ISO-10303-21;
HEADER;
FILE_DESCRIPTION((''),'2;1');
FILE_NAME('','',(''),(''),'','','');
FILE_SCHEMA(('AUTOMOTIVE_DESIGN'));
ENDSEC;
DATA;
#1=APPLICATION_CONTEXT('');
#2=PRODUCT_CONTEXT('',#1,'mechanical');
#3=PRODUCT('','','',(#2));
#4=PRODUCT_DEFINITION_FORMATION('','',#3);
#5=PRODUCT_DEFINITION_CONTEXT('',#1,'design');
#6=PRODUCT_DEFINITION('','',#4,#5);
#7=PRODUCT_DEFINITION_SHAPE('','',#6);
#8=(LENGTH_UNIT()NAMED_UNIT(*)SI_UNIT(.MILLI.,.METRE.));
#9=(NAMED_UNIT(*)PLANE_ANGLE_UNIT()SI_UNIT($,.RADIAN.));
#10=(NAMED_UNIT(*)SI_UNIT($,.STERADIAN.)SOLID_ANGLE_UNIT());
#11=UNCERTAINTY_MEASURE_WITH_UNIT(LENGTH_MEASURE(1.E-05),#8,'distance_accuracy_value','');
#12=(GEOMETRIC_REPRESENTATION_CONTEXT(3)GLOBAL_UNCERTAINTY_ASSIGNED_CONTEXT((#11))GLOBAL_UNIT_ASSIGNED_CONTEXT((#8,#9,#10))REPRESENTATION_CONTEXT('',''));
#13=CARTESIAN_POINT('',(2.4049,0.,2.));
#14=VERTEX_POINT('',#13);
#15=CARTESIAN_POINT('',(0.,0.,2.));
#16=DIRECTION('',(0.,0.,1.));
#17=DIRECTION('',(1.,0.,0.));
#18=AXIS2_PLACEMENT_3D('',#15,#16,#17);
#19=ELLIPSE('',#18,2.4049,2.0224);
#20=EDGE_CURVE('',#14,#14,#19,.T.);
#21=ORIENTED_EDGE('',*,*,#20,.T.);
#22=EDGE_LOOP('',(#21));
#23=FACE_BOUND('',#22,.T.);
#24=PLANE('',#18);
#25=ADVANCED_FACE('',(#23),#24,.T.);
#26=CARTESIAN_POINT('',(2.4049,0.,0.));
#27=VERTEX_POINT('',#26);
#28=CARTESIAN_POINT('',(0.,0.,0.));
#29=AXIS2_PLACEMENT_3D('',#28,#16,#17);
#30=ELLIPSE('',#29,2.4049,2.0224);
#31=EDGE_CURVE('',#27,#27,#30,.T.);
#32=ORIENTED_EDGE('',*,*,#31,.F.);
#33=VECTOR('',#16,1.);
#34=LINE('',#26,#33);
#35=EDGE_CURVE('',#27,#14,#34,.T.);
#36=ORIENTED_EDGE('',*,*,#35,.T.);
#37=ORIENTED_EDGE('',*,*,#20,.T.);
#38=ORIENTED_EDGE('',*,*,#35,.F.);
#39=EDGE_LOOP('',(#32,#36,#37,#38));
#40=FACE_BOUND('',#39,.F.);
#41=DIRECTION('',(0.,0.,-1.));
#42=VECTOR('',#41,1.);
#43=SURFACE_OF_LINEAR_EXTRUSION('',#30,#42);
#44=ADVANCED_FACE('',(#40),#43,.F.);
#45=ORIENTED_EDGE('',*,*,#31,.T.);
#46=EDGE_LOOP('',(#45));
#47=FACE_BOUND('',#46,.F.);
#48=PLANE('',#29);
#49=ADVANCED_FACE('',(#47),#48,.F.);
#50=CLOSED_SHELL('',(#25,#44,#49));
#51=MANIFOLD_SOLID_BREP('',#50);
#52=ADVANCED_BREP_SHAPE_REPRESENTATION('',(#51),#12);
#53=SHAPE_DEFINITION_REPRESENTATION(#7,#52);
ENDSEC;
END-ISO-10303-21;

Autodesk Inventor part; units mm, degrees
ref_plane "YZ Plane" through (0, 0, 0) normal (1, 0, 0) x (0, 1, 0)
ref_plane "XZ Plane" through (0, 0, 0) normal (0, 1, 0) x (-1, 0, 0)
ref_plane "XY Plane" through (0, 0, 0) normal (0, 0, 1) x (1, 0, 0)
sketch "Sketch1" plane through (0, 0, 0) normal (0, 0, 1) x (1, 0, 0)
  arc A0 (-9.1161, 25.7586) -> (-13.313, 21.8774) centre (-8.2115, 20.5707) ccw projected
  ellipse E0 centre (-18.0763, 22.3083) end of major axis (-22.8397, 22.7393) minor radius 4.1297 (-13.4391, 21.2064) -> (-13.313, 21.8774) ccw projected
  arc A1 (-13.313, 21.8774) -> (-13.4391, 21.2064) centre (-8.2115, 20.5707) ccw projected
  ellipse E1 centre (-18.0763, 22.3083) end of major axis (-13.313, 21.8774) minor radius 4.1297 (-13.313, 21.8774) -> (-15.5486, 25.7586) ccw projected
  line L0 (-9.1161, 25.7586) -> (-15.5486, 25.7586) projected
  arc A2 (-67.787, 25.7586) -> (-69.1237, 23.7196) centre (-50.5026, 12.9698) ccw projected
  spline S0 degree 3 poles (-65.1091, 22.0003) (-65.1168, 21.9714) (-65.1247, 21.9426) (-65.2552, 21.496) (-65.4592, 21.1022) (-65.9414, 20.4921) (-66.1949, 20.2555) (-66.7389, 19.9003) (-67.0236, 19.7722) (-67.5793, 19.6428) (-67.8465, 19.6266) (-68.2695, 19.6888) (-68.4292, 19.734) (-68.5796, 19.8005) (-68.8638, 19.9261) (-69.1122, 20.1291) (-69.4038, 20.5184) (-69.4901, 20.673) (-69.7149, 21.2159) (-69.768, 21.6358) (-69.6981, 22.5727) (-69.5232, 23.0866) (-69.2071, 23.5982) (-69.1664, 23.6596) (-69.1237, 23.7196) knots -2.04297 -2.04297 -2.04297 -2.04297 -2.033998 -2.033998 -1.903383 -1.903383 -1.8007 -1.8007 -1.70847 -1.70847 -1.629539 -1.629539 -1.580207 -1.580207 -1.580207 -1.486994 -1.486994 -1.434286 -1.434286 -1.31073 -1.31073 -1.152429 -1.152429 -1.130329 -1.130329 -1.130329 -1.130329 projected
  arc A3 (-62.2466, 25.7586) -> (-65.1091, 22.0003) centre (-57.3704, 19.0752) ccw projected
  line L1 (-57.002, 25.7586) -> (-62.2466, 25.7586) projected
  arc A4 (-57.002, 25.7586) -> (-52.5716, 21.9614) centre (-43.5692, 36.9484) ccw projected
  arc A5 (-52.5716, 21.9614) -> (-61.5285, 13.9346) centre (-49.152, 9.1347) ccw projected
  arc A6 (-61.5285, 13.9346) -> (-63.3685, -3.1136) centre (-33.7061, 2.3083) ccw projected
  arc A7 (-63.3685, -3.1136) -> (-70.3816, -14.3561) centre (-52.3561, -17.7917) ccw projected
  arc A8 (-70.3816, -14.3561) -> (-57.0518, -18.6263) centre (-59.4561, -3.1917) ccw projected
  arc A9 (-57.0518, -18.6263) -> (-11.4801, -27.2893) centre (-28.9353, 5.0839) ccw projected
  arc A10 (-11.4801, -27.2893) -> (1.6202, -27.979) centre (-4.1305, -12.4483) ccw projected
  arc A11 (1.6202, -27.979) -> (-1.176, -17.8593) centre (-12.997, -26.5718) ccw projected
  arc A12 (-1.176, -17.8593) -> (1.4991, -4.3136) centre (-20.384, -7.0289) ccw projected
  arc A13 (1.4991, -4.3136) -> (-5.025, 17.7342) centre (-8.2115, 4.8022) ccw projected
  arc A14 (-5.025, 17.7342) -> (-7.398, 24.7586) centre (-8.2115, 20.5707) ccw projected
  line L2 (-7.398, 24.7586) -> (-6.0187, 24.7586) projected
  arc A15 (-5.0187, 25.7586) -> (-6.0187, 24.7586) centre (-5.0187, 24.7586) ccw projected
  line L3 (62.1444, 25.7586) -> (-5.0187, 25.7586) projected
  line L4 (62.1444, 33.7601) -> (62.1444, 25.7586) projected
  line L5 (-69.6317, 33.7601) -> (62.1444, 33.7601) projected
  arc A16 (-71.6317, 35.7601) -> (-69.6317, 33.7601) centre (-69.6317, 35.7601) ccw projected
  line L6 (-71.6317, 128.7586) -> (-71.6317, 35.7601) projected
  arc A17 (-69.6317, 130.7586) -> (-71.6317, 128.7586) centre (-69.6317, 128.7586) ccw projected
  line L7 (62.1444, 130.7586) -> (-69.6317, 130.7586) projected
  line L8 (62.1444, 138.7586) -> (62.1444, 130.7586) projected
  line L9 (-75.0567, 138.7586) -> (62.1444, 138.7586) projected
  arc A18 (-75.0567, 138.7586) -> (-79.0567, 134.7586) centre (-75.0567, 134.7586) ccw projected
  line L10 (-79.0567, 29.7586) -> (-79.0567, 134.7586) projected
  arc A19 (-79.0567, 29.7586) -> (-75.0567, 25.7586) centre (-75.0567, 29.7586) ccw projected
  line L11 (-67.787, 25.7586) -> (-75.0567, 25.7586) projected
  ellipse E2 centre (-18.8703, 22.3083) end of major axis (-23.3081, 22.3083) minor radius 3.9921 projected
  ellipse E3 centre (-35.4561, 3.2586) end of major axis (-38.4561, 3.2586) minor radius 2.4928 projected
  arc A20 (-62.6379, -4.8899) -> (-58.0267, -16.7499) centre (77.4596, 42.753) ccw projected
  arc A21 (-68.1575, -13.5015) -> (-58.0267, -16.7499) centre (-57.4866, 2.3559) ccw projected
  arc A22 (-62.6379, -4.8899) -> (-68.1575, -13.5015) centre (-49.6205, -19.308) ccw projected
  arc A23 (-13.852, 0.2906) -> (-15.4561, -0.7414) centre (-14.0803, -1.1173) ccw projected
  arc A24 (-15.4561, -0.7414) -> (-17.3822, 1.2329) centre (-18.4561, -1.7414) ccw projected
  ellipse E4 centre (-15.612, 1.2586) end of major axis (-15.612, 10.2586) minor radius 1.7702 (-13.852, 0.2906) -> (-17.3822, 1.2329) ccw projected
  circle A25 centre (-6.4561, -3.1917) radius 2.7388 projected
  circle A26 centre (-28.4561, -1.7414) radius 2.8284 projected
  arc A27 (-7.2787, -26.7401) -> (-0.9865, -20.9367) centre (-21.6094, -4.8899) ccw projected
  arc A28 (-0.5284, -26.6587) -> (-0.9865, -20.9367) centre (-18.722, -25.2361) ccw projected
  arc A29 (-7.2787, -26.7401) -> (-0.5284, -26.6587) centre (-4.0898, -11.2585) ccw projected
  ellipse E5 centre (-8.2115, 20.8216) end of major axis (-4.1929, 20.5457) minor radius 3.5714 projected
  ellipse E6 centre (0, 0) end of major axis (-2.5315, 0) minor radius 2.1289 projected
  ellipse E7 centre (0, 0) end of major axis (2.4049, 0) minor radius 2.0224
extrude "Extrusion1" add sketch "Sketch1" along normal blind 2 contours E7
properties part number "LeftCheekPeach"
